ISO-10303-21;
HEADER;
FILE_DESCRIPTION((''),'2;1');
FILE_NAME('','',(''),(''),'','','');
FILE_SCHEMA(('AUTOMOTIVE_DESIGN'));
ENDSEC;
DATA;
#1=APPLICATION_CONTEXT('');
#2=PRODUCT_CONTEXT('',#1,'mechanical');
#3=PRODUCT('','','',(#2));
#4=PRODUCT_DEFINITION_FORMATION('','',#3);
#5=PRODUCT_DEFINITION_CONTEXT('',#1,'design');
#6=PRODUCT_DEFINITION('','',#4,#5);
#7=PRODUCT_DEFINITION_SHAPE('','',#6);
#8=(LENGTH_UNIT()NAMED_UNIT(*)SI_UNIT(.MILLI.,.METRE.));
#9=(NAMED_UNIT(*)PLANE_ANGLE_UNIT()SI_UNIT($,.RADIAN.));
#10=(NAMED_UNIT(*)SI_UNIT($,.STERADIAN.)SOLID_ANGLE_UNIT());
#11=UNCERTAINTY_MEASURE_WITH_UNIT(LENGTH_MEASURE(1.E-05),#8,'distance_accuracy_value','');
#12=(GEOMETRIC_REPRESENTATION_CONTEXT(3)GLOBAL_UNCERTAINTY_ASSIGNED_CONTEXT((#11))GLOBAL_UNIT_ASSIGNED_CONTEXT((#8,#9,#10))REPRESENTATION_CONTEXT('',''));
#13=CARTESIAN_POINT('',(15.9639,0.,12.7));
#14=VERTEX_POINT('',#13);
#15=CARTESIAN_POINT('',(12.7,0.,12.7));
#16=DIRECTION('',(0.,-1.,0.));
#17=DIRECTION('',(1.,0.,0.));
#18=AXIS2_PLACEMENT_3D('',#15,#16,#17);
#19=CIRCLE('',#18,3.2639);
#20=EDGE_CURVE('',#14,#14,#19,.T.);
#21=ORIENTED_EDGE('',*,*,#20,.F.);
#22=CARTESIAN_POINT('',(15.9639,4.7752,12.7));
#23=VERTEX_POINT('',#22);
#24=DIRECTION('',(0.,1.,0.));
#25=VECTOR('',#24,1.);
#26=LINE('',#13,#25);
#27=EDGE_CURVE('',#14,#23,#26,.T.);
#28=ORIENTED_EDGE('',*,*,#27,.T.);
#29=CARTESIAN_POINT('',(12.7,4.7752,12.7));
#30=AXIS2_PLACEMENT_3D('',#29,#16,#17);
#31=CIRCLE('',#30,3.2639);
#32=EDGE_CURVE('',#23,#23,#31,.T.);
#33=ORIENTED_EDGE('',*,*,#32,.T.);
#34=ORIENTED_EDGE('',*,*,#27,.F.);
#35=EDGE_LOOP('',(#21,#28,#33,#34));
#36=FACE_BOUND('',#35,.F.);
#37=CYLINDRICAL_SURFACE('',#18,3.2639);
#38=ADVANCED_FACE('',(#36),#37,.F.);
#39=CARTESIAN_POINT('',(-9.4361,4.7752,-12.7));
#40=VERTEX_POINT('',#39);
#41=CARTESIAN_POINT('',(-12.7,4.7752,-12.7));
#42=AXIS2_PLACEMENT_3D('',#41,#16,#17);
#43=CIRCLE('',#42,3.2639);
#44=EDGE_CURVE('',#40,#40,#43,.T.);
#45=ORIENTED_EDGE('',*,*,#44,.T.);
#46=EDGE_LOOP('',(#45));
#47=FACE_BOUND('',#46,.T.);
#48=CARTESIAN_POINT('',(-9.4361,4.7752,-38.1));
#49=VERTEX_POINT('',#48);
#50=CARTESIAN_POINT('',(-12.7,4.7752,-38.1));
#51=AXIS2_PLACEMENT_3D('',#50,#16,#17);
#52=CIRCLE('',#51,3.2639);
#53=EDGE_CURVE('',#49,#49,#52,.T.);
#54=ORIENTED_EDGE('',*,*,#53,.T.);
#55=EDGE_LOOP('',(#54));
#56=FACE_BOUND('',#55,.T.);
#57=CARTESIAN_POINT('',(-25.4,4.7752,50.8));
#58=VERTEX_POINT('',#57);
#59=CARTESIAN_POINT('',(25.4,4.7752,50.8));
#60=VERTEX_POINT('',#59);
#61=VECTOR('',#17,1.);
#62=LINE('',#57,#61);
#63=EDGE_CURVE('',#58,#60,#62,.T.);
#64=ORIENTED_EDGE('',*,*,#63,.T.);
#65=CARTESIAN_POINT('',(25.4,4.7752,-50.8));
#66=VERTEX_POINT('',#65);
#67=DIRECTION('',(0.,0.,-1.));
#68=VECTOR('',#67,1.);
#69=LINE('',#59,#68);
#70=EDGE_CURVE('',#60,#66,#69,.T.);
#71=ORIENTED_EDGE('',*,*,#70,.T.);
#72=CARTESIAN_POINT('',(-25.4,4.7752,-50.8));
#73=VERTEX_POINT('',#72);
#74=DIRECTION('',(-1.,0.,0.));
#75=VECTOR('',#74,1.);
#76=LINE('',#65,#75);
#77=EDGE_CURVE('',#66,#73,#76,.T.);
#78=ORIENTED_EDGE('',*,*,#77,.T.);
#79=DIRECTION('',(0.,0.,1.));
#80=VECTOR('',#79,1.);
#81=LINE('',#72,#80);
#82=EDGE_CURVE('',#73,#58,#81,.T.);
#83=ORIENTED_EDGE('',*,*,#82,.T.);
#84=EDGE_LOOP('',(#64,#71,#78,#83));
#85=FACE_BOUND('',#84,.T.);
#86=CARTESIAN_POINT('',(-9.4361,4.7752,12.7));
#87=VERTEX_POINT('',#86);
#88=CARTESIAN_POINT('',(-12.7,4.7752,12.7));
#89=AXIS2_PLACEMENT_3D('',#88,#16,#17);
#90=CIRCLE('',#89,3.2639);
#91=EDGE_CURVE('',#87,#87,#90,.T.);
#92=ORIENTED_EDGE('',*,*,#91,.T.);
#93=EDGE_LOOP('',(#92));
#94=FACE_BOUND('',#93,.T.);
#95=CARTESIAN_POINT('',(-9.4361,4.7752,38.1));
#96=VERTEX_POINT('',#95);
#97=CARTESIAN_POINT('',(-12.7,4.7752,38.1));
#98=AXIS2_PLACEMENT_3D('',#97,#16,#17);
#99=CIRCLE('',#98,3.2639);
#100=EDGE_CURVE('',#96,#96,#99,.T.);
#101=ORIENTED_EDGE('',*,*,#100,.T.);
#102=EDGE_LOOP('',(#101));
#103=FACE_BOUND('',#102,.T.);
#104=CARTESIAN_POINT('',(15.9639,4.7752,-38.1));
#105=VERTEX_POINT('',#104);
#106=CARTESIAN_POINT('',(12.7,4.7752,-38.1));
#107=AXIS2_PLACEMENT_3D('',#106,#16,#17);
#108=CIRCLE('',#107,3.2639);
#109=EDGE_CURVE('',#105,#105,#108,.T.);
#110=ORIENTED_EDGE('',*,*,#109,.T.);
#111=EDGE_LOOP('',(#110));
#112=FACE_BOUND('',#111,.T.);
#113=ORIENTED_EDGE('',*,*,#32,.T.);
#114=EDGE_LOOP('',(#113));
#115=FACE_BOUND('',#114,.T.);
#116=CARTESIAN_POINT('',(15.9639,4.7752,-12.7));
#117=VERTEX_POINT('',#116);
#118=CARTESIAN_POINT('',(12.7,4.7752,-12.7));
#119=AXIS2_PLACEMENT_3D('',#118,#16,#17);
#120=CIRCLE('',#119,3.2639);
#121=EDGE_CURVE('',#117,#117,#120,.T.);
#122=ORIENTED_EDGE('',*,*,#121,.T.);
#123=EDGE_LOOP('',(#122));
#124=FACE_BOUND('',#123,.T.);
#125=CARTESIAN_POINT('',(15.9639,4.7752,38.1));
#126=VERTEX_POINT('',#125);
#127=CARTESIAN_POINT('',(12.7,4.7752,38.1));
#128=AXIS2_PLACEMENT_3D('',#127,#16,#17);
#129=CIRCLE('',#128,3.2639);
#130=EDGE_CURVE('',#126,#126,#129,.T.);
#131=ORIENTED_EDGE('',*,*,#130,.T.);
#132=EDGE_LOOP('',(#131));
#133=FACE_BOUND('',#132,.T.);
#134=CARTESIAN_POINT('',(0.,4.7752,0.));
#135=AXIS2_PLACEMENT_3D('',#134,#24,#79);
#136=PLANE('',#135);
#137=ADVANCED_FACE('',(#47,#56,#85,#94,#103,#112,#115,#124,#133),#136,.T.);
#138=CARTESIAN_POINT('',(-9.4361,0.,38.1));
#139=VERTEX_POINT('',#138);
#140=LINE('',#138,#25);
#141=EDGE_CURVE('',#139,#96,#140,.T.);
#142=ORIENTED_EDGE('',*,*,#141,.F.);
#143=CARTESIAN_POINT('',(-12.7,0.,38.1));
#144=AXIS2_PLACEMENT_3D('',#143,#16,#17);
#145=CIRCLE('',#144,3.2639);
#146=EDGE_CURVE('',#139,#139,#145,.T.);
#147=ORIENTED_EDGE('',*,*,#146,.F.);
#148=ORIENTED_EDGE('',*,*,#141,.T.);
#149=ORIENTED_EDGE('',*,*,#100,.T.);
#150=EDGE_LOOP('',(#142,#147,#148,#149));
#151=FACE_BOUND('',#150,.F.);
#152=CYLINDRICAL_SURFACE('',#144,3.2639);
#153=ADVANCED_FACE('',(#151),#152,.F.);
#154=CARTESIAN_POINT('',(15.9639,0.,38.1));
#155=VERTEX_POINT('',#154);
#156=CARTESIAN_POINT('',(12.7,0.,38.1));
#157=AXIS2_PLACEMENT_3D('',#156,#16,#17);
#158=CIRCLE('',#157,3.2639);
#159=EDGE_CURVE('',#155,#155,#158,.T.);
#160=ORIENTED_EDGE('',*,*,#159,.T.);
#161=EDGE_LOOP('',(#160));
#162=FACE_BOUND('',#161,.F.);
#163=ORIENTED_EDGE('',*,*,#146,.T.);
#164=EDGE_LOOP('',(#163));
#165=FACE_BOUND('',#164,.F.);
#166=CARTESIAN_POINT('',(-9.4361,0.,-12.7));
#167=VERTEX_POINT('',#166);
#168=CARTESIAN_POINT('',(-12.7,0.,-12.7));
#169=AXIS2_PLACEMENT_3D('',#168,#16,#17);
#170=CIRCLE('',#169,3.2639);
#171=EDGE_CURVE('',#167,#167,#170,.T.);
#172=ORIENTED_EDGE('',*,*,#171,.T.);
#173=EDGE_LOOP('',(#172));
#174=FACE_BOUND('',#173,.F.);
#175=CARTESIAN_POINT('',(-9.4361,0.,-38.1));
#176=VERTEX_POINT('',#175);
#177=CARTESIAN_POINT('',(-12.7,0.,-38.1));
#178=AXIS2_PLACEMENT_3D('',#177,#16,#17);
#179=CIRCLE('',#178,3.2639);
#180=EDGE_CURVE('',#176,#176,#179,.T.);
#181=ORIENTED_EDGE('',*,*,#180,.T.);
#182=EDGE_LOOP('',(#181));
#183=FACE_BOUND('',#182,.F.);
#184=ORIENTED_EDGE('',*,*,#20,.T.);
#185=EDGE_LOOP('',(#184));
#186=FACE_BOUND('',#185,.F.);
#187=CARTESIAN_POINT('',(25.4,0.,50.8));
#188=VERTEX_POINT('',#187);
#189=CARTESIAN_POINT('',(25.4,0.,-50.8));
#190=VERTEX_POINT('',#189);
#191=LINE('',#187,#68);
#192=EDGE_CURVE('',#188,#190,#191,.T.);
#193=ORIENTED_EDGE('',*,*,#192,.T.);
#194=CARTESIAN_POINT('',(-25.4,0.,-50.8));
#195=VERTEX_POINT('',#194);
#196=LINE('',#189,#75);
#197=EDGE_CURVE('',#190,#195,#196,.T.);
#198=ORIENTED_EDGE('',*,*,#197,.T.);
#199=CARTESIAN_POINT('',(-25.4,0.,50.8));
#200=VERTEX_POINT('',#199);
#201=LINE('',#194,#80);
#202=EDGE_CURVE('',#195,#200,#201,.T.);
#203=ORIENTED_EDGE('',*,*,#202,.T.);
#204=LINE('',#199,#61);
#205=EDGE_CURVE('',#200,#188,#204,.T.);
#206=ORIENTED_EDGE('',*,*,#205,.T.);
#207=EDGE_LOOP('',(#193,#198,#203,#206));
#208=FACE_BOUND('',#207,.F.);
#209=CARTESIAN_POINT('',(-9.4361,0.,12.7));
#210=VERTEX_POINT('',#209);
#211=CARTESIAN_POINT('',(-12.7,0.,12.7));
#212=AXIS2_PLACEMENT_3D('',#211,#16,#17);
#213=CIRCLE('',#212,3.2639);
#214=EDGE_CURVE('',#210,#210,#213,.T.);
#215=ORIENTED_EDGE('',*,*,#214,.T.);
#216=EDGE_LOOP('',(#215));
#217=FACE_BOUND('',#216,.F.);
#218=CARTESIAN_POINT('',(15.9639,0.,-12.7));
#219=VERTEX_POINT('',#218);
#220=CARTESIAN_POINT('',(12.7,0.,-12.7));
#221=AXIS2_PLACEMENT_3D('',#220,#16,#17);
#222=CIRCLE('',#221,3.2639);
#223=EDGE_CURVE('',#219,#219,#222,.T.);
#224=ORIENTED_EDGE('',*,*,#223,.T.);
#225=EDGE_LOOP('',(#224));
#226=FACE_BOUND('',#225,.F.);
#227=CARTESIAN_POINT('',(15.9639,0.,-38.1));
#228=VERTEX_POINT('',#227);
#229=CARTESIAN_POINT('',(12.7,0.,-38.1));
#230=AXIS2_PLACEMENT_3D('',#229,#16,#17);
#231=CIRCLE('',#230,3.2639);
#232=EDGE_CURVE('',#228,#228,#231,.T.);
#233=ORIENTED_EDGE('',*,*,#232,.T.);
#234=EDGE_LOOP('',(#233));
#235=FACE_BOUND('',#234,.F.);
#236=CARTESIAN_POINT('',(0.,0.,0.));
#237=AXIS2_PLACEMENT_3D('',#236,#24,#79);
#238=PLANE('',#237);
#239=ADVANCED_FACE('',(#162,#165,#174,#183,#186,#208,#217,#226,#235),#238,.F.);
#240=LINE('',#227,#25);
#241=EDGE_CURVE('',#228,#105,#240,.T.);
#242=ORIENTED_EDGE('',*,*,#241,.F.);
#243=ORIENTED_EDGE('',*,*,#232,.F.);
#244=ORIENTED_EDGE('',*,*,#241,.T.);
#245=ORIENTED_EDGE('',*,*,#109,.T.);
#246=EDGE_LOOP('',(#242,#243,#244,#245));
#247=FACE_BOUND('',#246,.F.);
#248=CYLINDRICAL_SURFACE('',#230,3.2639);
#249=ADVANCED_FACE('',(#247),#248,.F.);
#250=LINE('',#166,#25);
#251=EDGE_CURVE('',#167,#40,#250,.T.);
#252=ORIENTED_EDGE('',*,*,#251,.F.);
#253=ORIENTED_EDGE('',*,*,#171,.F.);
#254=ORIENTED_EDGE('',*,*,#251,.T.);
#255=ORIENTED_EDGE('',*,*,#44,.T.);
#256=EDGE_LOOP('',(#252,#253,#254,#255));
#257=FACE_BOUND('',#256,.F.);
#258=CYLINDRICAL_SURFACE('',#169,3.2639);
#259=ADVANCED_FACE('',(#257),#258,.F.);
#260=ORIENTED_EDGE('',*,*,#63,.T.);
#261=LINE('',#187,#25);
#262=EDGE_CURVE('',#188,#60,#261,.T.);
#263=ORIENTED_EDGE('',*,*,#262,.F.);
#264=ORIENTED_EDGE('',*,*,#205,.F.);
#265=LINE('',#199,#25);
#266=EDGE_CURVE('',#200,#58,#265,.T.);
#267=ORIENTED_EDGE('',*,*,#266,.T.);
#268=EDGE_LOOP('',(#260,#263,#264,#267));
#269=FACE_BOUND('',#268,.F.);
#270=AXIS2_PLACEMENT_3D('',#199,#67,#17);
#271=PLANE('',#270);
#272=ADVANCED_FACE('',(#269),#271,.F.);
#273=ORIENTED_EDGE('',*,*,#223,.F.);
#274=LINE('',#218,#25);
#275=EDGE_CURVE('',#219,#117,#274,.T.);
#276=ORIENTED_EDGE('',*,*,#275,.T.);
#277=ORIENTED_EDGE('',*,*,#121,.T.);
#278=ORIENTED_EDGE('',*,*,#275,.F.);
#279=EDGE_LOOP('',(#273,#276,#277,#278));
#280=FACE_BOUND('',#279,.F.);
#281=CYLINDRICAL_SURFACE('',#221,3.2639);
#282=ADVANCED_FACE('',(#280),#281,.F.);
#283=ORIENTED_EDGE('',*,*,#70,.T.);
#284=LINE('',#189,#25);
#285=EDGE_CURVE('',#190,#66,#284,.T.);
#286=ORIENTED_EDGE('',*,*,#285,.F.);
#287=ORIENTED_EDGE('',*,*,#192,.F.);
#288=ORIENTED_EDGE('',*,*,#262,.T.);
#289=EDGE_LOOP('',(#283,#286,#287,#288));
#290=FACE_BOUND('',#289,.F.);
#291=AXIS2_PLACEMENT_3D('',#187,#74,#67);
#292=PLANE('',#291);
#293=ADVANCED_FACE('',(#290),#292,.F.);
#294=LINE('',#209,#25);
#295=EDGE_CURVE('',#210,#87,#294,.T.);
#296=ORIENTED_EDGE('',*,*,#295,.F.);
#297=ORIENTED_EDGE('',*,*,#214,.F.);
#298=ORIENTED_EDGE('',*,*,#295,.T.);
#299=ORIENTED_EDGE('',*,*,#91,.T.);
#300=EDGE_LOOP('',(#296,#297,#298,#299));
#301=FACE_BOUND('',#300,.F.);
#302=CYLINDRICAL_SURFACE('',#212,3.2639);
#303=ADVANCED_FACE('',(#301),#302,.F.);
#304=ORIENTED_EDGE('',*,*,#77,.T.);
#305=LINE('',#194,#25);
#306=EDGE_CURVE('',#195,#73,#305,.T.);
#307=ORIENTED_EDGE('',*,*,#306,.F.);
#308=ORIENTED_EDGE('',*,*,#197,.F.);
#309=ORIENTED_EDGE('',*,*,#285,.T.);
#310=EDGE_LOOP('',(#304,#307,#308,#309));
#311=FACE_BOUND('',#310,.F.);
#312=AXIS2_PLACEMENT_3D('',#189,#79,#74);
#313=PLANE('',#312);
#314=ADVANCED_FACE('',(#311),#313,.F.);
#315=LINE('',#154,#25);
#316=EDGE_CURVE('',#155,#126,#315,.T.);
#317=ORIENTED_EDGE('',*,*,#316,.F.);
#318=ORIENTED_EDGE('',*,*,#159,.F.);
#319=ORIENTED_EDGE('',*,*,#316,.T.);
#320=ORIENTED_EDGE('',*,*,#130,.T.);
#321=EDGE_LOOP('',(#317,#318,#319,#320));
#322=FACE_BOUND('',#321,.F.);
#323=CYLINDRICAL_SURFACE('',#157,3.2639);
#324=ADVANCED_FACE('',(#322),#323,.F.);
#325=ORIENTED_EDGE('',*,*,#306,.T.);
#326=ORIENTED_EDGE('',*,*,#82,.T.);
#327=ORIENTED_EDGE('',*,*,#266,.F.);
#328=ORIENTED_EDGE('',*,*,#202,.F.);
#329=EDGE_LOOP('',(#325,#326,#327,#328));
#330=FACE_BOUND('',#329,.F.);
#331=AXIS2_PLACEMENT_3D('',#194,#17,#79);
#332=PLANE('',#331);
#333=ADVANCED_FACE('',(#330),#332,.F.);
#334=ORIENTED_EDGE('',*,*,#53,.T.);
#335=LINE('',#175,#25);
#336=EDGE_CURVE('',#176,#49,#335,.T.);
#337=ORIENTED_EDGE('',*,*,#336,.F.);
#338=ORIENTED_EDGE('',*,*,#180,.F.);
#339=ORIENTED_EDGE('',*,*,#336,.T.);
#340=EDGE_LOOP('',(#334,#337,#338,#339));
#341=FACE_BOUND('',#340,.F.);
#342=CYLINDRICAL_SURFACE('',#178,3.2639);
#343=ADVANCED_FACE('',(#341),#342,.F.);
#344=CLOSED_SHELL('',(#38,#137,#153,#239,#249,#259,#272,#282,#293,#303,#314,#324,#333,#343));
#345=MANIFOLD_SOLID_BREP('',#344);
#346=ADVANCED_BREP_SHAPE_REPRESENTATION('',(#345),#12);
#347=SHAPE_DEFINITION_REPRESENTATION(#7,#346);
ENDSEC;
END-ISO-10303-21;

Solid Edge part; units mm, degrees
sketch "Sketch1" plane through (0, 0, 0) normal (0, -1, 0) x (1, 0, 0)
  line L0 (25.4, 50.8) -> (25.4, -50.8)
  line L1 (25.4, -50.8) -> (-25.4, -50.8)
  line L2 (-25.4, -50.8) -> (-25.4, 50.8)
  line L3 (-25.4, 50.8) -> (25.4, 50.8)
extrude "Protrusion1" add sketch "Sketch1" against normal blind 4.7752
sketch "Sketch2" plane through (0, 0, 0) normal (0, -1, 0) x (1, 0, 0)
  circle A0 centre (12.7, -38.1) radius 3.2639
extrude "Cutout1" cut sketch "Sketch2" against normal up to next
pattern_linear "Pattern1" count 2 spacing 25.4 along (-1, 0, 0) count 4 spacing 25.4 along (0, 0, 1) of "Cutout1"
